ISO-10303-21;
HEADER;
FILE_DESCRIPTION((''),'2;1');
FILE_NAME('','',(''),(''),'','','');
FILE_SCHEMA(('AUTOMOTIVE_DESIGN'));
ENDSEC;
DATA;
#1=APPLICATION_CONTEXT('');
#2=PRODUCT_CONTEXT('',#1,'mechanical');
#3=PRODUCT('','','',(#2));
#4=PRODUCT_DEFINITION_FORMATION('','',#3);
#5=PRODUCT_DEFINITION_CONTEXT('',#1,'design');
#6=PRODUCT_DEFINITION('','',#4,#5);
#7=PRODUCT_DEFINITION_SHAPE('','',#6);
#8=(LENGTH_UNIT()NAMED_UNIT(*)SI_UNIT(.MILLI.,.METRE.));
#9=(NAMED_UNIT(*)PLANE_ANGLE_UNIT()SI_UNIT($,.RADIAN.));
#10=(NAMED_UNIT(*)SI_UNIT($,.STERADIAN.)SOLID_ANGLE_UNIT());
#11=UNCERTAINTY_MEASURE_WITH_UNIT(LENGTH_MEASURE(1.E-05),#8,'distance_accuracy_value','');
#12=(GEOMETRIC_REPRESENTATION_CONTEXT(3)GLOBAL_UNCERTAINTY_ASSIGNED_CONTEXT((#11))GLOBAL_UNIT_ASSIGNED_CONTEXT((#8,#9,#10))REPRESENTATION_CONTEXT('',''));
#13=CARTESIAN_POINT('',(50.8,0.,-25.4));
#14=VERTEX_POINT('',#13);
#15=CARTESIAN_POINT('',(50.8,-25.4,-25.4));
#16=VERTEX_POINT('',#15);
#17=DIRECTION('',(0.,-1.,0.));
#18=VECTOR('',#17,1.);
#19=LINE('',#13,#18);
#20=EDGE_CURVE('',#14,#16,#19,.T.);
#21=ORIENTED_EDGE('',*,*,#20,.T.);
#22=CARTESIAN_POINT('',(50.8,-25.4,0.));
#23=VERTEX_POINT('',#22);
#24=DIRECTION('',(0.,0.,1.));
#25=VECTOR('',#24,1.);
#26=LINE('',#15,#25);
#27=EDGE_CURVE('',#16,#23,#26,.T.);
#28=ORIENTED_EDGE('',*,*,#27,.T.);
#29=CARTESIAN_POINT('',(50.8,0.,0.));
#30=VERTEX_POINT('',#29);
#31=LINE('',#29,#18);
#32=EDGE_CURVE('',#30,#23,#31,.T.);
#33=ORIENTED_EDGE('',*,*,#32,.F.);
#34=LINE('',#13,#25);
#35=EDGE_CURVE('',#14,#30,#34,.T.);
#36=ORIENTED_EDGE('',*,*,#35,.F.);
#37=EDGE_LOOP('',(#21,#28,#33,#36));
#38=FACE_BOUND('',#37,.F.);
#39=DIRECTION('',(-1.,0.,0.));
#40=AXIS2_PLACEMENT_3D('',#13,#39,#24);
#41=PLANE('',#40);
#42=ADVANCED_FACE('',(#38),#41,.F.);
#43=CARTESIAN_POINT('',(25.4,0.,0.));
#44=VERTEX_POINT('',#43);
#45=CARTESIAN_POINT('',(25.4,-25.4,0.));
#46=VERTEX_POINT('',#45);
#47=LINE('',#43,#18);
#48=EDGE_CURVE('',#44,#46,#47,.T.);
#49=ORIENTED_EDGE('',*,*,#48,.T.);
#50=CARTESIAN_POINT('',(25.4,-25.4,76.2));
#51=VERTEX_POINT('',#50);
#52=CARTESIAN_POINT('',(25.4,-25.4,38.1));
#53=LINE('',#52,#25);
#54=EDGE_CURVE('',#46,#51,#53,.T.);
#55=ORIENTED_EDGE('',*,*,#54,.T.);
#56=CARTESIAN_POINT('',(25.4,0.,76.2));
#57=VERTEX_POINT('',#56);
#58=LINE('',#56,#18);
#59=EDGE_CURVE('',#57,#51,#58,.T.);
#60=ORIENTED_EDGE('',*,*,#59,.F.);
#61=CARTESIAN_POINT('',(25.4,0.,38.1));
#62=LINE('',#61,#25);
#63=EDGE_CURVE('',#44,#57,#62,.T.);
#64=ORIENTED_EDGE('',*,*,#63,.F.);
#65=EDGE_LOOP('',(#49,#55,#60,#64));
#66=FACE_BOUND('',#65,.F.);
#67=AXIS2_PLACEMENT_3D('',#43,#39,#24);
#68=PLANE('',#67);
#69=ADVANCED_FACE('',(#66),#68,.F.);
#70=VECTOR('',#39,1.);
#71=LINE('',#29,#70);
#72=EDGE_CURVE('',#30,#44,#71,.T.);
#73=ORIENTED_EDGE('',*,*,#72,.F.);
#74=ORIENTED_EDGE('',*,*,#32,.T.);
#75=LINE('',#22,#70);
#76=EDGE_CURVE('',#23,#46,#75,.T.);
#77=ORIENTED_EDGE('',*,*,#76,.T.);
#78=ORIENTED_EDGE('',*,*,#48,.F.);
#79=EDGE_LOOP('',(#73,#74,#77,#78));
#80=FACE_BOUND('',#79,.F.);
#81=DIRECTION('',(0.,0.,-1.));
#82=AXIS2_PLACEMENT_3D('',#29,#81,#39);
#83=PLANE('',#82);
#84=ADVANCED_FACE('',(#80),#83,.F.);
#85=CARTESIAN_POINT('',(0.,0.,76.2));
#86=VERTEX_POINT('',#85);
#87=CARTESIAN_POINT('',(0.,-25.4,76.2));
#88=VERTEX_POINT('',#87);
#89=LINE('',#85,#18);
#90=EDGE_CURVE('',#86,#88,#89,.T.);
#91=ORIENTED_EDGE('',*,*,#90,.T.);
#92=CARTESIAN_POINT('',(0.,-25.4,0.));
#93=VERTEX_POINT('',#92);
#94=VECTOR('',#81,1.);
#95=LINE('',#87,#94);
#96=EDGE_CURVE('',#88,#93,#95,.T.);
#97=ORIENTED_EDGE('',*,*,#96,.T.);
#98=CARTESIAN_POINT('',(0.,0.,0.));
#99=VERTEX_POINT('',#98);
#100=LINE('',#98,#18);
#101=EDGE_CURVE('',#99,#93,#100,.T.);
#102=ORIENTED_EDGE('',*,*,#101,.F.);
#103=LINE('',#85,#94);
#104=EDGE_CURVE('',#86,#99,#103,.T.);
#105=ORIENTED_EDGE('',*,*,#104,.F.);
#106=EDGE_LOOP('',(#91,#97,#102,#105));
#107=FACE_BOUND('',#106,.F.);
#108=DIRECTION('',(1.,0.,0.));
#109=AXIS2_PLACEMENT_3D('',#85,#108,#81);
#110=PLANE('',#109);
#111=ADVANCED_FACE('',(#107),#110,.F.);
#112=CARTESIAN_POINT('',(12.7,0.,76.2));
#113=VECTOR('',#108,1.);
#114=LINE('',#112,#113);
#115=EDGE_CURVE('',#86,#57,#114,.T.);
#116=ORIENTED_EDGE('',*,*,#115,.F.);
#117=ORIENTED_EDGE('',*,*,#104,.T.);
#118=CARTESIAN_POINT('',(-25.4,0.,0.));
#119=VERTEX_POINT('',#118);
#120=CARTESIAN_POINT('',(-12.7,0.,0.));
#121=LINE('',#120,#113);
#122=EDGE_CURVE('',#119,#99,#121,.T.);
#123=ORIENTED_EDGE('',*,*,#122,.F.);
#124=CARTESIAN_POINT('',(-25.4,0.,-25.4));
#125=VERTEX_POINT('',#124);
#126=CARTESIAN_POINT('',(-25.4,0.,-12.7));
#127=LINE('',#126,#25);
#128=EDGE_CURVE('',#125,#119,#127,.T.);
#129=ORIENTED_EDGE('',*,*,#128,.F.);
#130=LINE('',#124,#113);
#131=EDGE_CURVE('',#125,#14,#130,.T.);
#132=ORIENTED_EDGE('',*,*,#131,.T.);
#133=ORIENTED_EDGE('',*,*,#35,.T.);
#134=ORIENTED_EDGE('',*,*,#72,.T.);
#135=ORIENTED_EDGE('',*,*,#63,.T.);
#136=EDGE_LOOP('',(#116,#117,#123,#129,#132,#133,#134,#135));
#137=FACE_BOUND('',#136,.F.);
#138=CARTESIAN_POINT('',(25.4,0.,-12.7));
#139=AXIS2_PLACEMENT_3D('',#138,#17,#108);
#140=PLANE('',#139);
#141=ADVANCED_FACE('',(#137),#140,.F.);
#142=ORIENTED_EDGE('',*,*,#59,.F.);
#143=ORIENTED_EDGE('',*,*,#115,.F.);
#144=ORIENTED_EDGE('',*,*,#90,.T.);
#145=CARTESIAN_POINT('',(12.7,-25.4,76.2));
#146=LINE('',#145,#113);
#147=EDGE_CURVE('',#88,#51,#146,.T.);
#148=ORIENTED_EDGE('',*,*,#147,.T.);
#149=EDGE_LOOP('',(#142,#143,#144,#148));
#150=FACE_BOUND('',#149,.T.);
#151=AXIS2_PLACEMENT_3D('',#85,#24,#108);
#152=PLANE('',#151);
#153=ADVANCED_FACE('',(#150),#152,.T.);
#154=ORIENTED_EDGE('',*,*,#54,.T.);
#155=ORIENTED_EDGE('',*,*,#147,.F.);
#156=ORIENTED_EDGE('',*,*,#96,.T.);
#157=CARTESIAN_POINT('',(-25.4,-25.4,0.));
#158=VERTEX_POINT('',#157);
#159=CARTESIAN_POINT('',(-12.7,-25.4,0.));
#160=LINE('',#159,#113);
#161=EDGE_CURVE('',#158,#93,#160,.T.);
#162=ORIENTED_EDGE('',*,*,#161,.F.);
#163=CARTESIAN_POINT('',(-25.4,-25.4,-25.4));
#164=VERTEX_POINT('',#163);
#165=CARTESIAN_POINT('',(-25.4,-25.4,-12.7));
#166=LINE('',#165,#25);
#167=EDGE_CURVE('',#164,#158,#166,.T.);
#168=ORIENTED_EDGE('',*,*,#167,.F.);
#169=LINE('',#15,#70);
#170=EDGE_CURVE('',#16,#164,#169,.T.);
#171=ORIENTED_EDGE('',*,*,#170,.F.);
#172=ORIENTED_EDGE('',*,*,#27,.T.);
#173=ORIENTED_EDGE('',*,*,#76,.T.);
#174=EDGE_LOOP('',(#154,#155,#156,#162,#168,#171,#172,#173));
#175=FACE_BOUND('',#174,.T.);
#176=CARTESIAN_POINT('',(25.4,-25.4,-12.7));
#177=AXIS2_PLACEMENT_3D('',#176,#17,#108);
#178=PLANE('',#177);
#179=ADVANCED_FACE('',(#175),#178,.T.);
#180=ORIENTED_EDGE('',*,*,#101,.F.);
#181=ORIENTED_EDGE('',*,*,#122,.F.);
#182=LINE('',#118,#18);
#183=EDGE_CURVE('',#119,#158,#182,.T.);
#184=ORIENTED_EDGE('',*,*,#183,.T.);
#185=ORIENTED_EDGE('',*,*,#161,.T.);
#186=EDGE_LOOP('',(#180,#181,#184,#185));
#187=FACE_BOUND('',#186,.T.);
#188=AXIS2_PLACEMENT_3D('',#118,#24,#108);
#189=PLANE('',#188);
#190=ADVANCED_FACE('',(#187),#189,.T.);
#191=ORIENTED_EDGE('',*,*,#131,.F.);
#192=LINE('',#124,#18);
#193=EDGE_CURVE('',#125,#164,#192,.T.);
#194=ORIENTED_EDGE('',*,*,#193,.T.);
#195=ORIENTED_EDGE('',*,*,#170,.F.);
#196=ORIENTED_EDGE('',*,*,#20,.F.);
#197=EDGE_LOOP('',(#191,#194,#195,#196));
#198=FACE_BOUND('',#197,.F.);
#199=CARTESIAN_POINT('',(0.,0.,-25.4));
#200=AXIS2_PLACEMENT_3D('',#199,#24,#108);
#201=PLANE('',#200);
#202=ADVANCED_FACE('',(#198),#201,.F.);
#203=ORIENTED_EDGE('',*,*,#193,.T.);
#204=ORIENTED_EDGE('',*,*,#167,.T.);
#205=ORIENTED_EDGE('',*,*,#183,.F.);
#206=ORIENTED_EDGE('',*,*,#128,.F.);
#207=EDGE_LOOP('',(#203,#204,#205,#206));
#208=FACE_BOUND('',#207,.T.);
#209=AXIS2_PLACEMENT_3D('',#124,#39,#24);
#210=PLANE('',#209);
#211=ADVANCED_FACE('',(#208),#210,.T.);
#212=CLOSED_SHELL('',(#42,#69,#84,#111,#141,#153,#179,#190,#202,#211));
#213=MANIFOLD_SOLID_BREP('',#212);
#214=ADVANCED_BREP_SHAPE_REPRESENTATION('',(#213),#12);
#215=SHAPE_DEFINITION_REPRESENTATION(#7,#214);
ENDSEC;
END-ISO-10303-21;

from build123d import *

# Parameters (mm, degrees)
F0_W     = 25.4
F0_H     = 25.4
F1_DEPTH = 25.4
F2_W     = 25.4
F2_H     = 76.2
F3_DEPTH = 25.4


with BuildPart() as f1:
    # F0 (on Front) → F1 (new body)
    with BuildSketch(Plane.XZ):
        with Locations((-12.7, -12.7)):
            Rectangle(F0_W, F0_H)
    extrude(amount=F1_DEPTH)

    # F2 (on Front) → F3 (join)
    with BuildSketch(Plane.XZ):
        Polygon((25.4, 0), (0, 0), (0, -25.4), (25.4, -25.4), (50.8, -25.4), (50.8, 0), align=None)
        with Locations((12.7, 38.1)):
            Rectangle(F2_W, F2_H)
    extrude(amount=F3_DEPTH)


solid = f1.part
